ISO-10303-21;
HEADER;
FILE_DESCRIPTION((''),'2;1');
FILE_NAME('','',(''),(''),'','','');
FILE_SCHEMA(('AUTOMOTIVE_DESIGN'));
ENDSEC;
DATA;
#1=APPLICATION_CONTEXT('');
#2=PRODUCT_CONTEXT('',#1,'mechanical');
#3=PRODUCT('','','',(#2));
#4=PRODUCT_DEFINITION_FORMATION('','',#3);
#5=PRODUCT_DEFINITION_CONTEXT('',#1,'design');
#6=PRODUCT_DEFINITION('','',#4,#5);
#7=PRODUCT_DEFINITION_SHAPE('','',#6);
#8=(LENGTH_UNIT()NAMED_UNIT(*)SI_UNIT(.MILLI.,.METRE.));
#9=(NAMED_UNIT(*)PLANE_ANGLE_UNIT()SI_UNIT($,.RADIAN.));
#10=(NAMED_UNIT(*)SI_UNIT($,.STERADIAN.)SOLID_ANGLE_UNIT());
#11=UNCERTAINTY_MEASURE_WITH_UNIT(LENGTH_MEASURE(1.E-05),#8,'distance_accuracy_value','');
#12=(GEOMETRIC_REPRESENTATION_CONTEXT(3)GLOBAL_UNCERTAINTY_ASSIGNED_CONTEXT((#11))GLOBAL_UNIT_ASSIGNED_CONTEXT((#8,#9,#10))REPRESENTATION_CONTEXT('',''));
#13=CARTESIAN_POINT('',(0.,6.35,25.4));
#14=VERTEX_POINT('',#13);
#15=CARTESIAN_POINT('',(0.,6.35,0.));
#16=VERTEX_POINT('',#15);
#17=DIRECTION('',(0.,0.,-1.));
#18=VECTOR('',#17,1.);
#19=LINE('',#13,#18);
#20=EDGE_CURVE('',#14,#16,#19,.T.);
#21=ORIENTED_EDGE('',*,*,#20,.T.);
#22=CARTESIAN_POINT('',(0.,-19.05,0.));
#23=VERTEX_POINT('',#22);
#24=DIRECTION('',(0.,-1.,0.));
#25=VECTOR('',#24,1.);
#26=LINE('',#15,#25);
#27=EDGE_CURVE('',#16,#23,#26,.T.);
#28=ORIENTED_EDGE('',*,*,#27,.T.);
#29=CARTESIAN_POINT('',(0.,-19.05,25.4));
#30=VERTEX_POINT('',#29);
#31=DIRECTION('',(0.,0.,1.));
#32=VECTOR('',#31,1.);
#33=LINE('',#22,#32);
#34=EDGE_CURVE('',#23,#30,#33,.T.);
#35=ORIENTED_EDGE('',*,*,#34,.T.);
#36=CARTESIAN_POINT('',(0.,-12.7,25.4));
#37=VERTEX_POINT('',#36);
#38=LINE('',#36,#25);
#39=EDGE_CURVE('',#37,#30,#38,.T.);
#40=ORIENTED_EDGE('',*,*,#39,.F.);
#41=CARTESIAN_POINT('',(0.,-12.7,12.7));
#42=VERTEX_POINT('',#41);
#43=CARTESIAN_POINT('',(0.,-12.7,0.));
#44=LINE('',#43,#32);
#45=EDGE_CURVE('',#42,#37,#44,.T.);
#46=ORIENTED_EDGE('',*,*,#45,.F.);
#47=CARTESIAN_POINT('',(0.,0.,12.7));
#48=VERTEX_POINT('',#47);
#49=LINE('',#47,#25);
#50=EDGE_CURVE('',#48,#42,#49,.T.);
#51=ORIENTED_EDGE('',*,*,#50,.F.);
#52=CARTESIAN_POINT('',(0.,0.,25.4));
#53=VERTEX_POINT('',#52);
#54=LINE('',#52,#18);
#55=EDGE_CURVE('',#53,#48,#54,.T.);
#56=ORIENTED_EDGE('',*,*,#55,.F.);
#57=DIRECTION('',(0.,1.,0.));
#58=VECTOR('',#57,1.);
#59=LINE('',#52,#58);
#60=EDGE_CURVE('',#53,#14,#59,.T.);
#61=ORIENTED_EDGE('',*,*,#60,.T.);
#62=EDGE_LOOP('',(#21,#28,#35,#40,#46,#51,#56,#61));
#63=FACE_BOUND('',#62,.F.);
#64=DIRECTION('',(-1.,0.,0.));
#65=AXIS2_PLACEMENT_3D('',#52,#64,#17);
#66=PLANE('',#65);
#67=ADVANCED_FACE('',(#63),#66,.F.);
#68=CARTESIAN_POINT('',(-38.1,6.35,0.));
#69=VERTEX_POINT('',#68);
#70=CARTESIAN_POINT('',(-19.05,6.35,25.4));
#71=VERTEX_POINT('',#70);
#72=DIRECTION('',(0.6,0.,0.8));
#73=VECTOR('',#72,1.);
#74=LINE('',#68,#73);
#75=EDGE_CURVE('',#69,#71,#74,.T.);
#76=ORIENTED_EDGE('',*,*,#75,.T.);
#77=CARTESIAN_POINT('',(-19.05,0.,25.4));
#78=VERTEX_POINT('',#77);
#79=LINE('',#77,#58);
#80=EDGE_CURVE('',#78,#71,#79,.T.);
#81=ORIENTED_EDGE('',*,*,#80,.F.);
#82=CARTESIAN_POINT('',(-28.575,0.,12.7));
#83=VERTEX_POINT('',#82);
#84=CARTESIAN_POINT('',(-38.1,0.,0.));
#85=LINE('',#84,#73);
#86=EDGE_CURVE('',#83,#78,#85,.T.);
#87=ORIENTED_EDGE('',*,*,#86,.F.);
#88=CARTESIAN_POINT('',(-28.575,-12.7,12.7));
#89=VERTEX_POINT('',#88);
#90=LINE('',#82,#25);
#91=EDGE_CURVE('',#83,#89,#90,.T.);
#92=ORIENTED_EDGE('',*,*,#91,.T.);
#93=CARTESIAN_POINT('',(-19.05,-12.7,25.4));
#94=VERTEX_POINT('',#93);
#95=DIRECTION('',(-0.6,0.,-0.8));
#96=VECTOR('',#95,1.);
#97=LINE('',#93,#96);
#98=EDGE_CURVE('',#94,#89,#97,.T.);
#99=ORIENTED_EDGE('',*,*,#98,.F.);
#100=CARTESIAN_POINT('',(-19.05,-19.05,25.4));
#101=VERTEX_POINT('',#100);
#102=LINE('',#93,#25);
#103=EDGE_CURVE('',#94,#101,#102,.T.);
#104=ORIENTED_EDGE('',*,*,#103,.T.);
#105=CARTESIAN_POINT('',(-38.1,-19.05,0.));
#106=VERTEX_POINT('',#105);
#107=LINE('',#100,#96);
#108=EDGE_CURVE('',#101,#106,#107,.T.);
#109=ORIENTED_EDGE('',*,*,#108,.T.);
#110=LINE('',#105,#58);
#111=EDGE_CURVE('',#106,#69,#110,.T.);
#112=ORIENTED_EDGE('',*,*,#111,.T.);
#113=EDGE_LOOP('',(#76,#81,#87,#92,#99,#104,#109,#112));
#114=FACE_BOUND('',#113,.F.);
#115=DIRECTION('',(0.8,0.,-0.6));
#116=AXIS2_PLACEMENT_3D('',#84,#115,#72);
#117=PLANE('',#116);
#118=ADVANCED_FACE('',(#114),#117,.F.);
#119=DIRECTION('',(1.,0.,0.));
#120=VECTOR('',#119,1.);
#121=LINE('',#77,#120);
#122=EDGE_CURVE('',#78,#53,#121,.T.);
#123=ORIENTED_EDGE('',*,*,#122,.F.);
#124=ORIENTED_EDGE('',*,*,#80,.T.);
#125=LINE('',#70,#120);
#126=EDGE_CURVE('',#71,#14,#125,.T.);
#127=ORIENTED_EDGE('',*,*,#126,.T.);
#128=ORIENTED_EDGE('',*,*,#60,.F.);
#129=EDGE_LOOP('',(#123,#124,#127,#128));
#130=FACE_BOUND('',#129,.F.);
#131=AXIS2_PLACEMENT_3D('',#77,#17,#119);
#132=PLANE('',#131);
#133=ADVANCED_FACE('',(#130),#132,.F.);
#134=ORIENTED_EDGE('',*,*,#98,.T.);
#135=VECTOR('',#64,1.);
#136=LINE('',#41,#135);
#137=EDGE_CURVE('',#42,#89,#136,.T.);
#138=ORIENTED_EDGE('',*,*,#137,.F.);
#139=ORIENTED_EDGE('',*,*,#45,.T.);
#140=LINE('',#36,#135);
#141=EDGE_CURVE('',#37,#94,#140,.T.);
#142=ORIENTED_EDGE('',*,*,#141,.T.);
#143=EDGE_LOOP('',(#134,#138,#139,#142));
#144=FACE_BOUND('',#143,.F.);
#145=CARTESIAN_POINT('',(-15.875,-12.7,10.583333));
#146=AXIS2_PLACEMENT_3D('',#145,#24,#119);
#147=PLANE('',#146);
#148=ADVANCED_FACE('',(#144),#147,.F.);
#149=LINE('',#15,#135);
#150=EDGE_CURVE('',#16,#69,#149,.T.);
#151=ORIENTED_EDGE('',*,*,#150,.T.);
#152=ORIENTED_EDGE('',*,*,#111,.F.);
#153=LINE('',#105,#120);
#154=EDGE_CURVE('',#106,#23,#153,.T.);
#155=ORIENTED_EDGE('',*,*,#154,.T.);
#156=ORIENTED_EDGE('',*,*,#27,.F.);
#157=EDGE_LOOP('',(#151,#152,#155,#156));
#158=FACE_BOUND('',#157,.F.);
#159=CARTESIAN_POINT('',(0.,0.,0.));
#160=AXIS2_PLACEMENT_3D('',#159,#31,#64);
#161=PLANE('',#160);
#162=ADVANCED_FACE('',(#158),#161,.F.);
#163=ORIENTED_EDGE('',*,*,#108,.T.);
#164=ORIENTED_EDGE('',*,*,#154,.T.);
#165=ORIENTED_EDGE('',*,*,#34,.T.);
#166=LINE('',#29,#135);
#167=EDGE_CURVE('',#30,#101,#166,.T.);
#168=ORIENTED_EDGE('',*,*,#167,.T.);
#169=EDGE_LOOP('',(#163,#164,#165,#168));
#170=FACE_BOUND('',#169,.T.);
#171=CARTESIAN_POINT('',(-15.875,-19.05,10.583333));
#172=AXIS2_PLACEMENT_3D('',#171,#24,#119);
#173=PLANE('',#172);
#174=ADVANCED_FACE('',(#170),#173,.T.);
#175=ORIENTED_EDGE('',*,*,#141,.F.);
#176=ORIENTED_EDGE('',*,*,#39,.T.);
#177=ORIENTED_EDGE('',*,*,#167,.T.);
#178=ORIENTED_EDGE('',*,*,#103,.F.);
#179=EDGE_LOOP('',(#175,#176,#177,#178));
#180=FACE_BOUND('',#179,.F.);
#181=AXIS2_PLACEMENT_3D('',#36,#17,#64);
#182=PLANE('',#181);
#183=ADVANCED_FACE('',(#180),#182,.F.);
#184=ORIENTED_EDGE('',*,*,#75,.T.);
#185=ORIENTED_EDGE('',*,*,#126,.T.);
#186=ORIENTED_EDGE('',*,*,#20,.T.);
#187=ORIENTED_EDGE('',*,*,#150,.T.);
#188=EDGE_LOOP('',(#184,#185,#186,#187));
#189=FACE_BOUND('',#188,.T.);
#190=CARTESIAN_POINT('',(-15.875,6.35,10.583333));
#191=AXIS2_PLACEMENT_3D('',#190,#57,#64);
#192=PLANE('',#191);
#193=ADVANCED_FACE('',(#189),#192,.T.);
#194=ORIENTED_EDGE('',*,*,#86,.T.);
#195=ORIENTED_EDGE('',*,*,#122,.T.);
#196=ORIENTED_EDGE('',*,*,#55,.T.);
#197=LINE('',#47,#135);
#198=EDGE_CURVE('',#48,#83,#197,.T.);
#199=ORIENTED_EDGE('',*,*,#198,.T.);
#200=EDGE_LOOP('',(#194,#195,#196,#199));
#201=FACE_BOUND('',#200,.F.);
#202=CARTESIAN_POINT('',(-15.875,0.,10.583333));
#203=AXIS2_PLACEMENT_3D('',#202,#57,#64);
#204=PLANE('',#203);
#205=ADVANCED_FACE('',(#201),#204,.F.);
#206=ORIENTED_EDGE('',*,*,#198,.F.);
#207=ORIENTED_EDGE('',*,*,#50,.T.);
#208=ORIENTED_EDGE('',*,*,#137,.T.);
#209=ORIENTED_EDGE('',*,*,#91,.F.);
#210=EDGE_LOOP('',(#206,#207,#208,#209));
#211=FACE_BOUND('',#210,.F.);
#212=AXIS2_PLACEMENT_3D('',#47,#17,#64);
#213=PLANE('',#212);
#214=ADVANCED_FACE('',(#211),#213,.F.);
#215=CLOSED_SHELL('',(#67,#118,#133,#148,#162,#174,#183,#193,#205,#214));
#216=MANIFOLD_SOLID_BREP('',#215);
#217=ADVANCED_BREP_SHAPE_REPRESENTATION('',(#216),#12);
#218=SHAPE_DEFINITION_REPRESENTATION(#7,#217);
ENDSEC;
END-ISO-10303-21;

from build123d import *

# Parameters (mm, degrees)
F1_DEPTH = 12.7
F3_DEPTH = 6.35
F5_DEPTH = 6.35


with BuildPart() as f1:
    # F0 (on Front) → F1 (new body)
    with BuildSketch(Plane.XZ):
        Polygon((-38.1, 0), (0, 0), (0, 12.7), (-28.575, 12.7), align=None)
    extrude(amount=F1_DEPTH)

    # F2 (on face) → F3 (join)
    with BuildSketch(Plane.XZ.offset(12.7)):
        Polygon((-19.05, 25.4), (-38.1, 0), (0, 0), (0, 25.4), align=None)
    extrude(amount=F3_DEPTH)

    # F4 (on face) → F5 (join)
    with BuildSketch(Plane(origin=(0, 0, 0), x_dir=(-1, 0, 0), z_dir=(0, 1, 0))):
        Polygon((0, 0), (38.1, 0), (19.05, 25.4), (0, 25.4), align=None)
    extrude(amount=F5_DEPTH)


solid = f1.part
